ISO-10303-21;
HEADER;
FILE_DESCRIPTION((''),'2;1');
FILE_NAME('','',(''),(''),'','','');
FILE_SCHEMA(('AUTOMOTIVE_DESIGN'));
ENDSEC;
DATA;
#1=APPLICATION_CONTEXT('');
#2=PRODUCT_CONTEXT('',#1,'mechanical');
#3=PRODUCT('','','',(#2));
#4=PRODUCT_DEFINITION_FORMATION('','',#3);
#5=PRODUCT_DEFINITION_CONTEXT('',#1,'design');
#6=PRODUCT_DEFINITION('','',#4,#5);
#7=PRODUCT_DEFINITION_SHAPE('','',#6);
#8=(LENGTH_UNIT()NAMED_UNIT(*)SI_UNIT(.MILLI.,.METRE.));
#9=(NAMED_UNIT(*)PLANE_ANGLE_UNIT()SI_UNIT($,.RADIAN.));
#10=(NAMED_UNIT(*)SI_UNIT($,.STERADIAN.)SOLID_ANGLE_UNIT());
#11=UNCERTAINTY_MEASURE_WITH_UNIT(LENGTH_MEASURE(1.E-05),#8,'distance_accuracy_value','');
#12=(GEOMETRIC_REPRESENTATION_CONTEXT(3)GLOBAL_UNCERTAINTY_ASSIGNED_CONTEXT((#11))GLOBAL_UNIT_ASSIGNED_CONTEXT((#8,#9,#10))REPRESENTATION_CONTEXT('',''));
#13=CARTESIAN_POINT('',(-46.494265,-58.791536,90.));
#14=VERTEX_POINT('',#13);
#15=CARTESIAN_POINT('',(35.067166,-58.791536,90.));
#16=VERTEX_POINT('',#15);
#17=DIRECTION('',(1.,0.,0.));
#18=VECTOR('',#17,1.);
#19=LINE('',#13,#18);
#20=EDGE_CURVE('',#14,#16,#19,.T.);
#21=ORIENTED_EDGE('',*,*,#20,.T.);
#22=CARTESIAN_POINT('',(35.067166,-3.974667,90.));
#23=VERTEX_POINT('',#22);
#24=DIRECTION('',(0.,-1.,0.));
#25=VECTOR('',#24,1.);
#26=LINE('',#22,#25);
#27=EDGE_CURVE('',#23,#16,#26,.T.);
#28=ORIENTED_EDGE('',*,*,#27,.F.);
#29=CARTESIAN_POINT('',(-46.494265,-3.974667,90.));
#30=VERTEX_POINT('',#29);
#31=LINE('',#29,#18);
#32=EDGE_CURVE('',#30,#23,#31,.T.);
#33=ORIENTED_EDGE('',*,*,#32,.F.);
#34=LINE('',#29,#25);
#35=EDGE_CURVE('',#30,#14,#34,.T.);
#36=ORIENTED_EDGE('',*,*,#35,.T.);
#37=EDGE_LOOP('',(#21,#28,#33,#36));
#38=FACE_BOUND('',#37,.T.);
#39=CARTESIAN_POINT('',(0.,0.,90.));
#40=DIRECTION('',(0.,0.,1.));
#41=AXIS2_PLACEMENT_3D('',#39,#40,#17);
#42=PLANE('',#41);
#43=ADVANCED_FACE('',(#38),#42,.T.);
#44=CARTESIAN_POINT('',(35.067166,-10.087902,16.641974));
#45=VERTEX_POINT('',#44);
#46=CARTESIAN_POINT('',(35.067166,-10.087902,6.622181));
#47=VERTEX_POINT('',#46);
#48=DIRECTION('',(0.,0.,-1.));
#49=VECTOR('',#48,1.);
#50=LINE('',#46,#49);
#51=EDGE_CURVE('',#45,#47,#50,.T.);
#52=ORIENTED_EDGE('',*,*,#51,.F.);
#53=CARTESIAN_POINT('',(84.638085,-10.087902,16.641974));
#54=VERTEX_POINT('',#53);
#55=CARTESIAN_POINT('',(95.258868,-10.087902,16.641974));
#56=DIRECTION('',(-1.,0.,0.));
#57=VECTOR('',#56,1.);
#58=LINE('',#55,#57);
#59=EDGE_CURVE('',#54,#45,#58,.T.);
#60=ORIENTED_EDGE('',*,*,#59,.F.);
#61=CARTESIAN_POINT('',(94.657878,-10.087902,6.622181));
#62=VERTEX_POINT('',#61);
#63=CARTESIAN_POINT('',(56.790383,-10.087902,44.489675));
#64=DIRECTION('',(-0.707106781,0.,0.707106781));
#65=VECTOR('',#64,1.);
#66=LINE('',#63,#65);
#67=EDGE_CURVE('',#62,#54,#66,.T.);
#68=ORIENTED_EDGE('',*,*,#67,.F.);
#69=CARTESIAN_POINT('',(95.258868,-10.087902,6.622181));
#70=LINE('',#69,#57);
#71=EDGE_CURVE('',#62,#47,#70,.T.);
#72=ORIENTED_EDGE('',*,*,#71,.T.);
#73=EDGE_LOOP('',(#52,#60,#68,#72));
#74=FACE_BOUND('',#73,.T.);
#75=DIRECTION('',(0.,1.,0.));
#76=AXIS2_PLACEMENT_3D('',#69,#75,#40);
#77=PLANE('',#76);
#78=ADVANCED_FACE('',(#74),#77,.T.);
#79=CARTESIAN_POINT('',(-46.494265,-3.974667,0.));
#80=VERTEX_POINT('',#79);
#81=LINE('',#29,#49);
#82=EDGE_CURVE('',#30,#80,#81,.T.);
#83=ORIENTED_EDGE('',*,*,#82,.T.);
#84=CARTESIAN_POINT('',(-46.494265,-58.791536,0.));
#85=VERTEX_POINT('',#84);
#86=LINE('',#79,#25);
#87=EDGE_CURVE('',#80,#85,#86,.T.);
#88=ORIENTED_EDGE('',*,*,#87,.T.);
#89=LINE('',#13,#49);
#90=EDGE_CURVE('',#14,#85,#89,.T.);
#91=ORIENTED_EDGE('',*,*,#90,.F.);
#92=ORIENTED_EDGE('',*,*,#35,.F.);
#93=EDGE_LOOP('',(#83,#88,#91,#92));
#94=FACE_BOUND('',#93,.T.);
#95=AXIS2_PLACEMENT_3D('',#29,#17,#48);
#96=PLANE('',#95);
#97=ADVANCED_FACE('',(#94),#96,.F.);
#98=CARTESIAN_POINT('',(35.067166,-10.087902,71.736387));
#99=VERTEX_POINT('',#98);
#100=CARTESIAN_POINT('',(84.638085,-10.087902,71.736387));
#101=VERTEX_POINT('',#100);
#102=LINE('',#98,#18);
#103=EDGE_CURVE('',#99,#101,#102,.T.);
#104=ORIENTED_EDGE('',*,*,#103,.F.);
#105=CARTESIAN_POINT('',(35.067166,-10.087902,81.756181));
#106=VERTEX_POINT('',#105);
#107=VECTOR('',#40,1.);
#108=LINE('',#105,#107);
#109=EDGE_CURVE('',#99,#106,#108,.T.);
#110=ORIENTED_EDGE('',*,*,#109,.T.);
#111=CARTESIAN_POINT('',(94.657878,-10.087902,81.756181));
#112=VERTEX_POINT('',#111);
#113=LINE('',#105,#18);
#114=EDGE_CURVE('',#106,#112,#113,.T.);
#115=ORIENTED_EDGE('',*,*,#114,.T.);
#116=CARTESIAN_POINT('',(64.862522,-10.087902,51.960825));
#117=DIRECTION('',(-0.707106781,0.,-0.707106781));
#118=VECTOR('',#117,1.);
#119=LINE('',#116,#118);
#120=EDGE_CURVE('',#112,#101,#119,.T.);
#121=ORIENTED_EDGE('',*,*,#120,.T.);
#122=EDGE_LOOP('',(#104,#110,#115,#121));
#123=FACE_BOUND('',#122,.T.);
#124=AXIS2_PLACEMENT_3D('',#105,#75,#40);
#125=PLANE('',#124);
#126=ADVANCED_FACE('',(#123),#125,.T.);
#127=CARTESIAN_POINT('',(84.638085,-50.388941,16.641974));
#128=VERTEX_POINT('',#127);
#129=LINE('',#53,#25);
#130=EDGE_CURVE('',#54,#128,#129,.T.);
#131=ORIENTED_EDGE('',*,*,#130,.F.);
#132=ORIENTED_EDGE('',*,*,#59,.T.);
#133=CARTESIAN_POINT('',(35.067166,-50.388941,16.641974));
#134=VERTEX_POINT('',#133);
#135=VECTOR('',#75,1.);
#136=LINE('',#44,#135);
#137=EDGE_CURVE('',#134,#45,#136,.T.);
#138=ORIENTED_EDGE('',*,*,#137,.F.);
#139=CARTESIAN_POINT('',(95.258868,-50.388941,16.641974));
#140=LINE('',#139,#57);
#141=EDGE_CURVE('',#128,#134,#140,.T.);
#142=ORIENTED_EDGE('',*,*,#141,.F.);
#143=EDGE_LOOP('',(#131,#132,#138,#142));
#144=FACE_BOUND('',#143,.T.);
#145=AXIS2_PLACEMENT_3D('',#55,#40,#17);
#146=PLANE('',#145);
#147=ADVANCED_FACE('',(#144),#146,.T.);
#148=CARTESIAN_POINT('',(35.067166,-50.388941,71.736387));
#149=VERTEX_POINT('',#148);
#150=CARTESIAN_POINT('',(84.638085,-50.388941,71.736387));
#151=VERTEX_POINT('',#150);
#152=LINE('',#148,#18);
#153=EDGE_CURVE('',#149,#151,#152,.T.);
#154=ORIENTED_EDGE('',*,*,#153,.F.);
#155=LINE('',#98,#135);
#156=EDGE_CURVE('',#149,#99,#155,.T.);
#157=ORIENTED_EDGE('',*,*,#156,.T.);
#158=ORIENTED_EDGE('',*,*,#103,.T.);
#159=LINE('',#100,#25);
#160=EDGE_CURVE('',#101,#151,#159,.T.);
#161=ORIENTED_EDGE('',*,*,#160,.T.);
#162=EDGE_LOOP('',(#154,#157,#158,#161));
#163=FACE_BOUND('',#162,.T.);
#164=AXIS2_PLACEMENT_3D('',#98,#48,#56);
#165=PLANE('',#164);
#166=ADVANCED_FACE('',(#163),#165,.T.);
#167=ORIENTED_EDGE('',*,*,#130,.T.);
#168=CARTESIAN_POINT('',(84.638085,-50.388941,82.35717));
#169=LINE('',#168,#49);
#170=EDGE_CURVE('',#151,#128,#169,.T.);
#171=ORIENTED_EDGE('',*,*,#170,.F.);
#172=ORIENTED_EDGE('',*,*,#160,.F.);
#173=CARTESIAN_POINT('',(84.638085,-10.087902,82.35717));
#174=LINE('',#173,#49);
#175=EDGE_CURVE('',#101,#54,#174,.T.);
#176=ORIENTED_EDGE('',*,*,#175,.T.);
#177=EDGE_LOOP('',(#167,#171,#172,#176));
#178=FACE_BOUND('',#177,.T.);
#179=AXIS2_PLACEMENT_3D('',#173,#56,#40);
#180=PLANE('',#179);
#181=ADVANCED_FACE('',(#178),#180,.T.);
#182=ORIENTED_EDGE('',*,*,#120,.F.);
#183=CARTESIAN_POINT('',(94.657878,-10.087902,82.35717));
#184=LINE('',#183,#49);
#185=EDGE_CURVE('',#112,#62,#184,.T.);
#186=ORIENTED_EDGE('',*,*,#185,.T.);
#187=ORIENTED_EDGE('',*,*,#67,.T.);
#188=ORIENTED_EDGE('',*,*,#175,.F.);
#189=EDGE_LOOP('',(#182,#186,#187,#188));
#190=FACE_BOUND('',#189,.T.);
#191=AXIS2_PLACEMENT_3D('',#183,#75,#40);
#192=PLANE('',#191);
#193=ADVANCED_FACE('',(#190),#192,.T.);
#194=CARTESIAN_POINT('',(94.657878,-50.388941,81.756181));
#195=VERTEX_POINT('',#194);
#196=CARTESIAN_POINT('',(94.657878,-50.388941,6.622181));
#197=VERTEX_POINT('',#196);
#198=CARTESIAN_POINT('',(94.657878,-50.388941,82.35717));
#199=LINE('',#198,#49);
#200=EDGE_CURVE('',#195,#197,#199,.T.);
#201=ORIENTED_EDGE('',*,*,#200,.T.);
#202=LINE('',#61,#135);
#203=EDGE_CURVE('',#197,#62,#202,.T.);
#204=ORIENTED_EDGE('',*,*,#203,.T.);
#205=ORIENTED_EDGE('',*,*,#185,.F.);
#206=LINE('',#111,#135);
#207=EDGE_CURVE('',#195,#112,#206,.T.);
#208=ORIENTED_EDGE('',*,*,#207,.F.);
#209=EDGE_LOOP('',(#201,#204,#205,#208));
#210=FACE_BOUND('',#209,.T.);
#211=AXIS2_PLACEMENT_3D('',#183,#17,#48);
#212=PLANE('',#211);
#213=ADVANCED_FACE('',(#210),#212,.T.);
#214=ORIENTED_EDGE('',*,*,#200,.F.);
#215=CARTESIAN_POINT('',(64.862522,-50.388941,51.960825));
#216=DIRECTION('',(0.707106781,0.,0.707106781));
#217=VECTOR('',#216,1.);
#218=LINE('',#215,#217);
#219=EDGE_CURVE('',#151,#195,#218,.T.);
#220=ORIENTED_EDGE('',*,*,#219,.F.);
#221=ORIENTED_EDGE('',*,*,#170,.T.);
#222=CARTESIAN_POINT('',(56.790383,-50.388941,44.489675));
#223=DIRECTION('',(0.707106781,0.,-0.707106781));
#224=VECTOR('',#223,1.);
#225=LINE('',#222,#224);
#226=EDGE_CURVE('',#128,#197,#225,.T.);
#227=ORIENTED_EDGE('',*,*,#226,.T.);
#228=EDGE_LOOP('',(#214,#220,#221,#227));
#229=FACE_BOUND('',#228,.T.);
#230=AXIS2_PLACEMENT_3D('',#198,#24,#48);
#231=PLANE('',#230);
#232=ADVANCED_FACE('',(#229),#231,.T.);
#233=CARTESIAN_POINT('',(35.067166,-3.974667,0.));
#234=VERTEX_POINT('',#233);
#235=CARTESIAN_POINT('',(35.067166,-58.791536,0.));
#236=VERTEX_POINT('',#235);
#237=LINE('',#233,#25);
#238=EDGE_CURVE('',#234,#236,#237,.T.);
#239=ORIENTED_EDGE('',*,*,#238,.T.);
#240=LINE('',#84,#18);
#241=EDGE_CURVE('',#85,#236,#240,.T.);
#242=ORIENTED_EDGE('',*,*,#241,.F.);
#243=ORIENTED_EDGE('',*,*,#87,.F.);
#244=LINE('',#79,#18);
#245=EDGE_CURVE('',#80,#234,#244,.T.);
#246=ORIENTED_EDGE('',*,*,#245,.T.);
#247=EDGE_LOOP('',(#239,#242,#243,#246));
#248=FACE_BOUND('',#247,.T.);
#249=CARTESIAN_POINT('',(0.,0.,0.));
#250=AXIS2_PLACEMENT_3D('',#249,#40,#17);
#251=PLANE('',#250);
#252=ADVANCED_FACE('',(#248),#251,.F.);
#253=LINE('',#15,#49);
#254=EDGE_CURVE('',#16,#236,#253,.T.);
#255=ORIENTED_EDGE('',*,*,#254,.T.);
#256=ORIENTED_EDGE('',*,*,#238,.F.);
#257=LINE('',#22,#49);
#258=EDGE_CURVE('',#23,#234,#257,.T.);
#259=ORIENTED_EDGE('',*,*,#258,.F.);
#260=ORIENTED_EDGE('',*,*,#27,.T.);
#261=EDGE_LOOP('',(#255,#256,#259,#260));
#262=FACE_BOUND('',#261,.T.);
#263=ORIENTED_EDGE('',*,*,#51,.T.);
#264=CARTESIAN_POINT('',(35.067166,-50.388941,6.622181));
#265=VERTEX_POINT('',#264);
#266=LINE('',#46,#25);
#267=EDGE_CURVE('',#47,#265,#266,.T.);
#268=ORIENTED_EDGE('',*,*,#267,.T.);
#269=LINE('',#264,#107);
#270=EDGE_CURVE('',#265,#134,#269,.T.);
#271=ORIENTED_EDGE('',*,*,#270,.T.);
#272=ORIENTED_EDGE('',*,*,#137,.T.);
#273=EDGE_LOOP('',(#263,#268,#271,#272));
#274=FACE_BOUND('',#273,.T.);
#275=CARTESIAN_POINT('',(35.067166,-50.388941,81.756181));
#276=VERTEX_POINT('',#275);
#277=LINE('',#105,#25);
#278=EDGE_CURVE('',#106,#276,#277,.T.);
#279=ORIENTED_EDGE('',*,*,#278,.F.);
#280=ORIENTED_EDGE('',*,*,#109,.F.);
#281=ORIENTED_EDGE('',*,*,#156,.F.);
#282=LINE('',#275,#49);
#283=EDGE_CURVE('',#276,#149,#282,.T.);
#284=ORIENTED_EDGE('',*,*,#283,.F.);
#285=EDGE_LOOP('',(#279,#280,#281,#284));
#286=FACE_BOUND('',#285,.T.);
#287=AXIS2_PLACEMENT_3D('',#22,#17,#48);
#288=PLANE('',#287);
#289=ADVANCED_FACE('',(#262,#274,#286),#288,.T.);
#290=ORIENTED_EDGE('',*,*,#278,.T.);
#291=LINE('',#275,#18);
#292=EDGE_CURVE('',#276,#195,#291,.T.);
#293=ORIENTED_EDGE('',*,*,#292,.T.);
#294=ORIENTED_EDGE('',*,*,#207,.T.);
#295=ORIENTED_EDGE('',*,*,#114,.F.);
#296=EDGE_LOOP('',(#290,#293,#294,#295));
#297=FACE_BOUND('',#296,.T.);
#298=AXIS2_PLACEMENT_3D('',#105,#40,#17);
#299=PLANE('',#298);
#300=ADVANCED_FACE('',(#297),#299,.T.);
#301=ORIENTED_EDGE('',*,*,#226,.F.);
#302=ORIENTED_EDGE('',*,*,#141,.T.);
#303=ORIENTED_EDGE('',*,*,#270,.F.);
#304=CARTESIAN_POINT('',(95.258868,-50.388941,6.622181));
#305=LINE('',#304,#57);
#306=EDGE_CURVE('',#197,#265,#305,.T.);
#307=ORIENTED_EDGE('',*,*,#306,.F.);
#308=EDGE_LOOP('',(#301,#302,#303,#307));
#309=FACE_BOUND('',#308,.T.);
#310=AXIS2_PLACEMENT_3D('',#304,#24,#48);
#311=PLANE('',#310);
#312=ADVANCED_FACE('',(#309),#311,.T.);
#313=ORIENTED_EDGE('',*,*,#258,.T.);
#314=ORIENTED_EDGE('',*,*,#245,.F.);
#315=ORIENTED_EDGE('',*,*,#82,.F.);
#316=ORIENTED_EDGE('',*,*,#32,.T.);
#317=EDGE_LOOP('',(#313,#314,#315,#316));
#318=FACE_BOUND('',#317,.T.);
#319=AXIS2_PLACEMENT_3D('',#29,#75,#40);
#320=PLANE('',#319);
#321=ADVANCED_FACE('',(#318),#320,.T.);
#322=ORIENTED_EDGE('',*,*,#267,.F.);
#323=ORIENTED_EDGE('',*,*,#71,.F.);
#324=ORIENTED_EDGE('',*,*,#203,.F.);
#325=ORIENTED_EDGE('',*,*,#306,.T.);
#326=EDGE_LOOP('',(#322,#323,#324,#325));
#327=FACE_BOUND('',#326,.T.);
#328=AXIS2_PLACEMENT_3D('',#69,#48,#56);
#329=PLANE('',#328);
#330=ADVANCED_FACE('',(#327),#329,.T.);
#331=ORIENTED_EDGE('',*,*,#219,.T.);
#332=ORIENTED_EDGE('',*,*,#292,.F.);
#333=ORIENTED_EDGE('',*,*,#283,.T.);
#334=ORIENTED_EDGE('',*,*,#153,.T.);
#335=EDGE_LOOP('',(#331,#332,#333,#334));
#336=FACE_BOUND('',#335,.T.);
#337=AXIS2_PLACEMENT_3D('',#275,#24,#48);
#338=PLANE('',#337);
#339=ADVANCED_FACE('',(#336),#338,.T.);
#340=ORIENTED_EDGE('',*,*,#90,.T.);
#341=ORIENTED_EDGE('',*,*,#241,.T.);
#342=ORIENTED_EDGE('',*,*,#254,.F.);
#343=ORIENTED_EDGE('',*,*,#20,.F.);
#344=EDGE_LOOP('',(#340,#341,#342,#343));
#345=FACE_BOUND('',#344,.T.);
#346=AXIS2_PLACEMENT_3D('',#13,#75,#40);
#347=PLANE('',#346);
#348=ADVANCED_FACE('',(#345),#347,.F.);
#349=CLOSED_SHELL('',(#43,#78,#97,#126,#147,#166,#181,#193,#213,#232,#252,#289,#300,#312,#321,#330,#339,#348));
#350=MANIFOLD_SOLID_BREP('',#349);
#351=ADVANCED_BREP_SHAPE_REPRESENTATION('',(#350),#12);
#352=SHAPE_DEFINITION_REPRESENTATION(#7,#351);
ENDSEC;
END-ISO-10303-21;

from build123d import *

# Parameters (mm, degrees)
SKETCH1_W           = 81.56143141
SKETCH1_H           = 54.816869018
BOSS_EXTRUDE1_DEPTH = 90
SKETCH2_W           = 10.019793311
SKETCH2_H           = 40.301038966


with BuildPart() as part:
    # Sketch1 → Boss-Extrude1 (new body)
    with BuildSketch(Plane(origin=(-20.318735881, -25.313413314, 0), x_dir=(1, 0, 0), z_dir=(0, 0, 1))):
        with Locations((14.605186555, -6.069687919)):
            Rectangle(SKETCH1_W, SKETCH1_H)
    extrude(amount=BOSS_EXTRUDE1_DEPTH)

    # Sweep3: sweep along a path in Sketch3
    with BuildLine(Plane(origin=(0, -10.087901928, 0), x_dir=(1, 0, 0), z_dir=(0, 1, 0))) as sweep3_path:
        Line((35.067166378, -76.74628409), (89.647981196, -76.74628409))
        Line((89.647981196, -76.74628409), (89.647981196, -11.63207723))
        Line((89.647981196, -11.63207723), (35.067166378, -11.63207723))
    # Sketch2 → Sweep3 (sweep)
    with BuildSketch(Plane(origin=(35.067166378, 0, 0), x_dir=(0, 0, -1), z_dir=(1, 0, 0))):
        with Locations((-76.74628409, -30.238421411)):
            Rectangle(SKETCH2_W, SKETCH2_H)
    sweep(path=sweep3_path.line, transition=Transition.RIGHT)


solid = part.part
